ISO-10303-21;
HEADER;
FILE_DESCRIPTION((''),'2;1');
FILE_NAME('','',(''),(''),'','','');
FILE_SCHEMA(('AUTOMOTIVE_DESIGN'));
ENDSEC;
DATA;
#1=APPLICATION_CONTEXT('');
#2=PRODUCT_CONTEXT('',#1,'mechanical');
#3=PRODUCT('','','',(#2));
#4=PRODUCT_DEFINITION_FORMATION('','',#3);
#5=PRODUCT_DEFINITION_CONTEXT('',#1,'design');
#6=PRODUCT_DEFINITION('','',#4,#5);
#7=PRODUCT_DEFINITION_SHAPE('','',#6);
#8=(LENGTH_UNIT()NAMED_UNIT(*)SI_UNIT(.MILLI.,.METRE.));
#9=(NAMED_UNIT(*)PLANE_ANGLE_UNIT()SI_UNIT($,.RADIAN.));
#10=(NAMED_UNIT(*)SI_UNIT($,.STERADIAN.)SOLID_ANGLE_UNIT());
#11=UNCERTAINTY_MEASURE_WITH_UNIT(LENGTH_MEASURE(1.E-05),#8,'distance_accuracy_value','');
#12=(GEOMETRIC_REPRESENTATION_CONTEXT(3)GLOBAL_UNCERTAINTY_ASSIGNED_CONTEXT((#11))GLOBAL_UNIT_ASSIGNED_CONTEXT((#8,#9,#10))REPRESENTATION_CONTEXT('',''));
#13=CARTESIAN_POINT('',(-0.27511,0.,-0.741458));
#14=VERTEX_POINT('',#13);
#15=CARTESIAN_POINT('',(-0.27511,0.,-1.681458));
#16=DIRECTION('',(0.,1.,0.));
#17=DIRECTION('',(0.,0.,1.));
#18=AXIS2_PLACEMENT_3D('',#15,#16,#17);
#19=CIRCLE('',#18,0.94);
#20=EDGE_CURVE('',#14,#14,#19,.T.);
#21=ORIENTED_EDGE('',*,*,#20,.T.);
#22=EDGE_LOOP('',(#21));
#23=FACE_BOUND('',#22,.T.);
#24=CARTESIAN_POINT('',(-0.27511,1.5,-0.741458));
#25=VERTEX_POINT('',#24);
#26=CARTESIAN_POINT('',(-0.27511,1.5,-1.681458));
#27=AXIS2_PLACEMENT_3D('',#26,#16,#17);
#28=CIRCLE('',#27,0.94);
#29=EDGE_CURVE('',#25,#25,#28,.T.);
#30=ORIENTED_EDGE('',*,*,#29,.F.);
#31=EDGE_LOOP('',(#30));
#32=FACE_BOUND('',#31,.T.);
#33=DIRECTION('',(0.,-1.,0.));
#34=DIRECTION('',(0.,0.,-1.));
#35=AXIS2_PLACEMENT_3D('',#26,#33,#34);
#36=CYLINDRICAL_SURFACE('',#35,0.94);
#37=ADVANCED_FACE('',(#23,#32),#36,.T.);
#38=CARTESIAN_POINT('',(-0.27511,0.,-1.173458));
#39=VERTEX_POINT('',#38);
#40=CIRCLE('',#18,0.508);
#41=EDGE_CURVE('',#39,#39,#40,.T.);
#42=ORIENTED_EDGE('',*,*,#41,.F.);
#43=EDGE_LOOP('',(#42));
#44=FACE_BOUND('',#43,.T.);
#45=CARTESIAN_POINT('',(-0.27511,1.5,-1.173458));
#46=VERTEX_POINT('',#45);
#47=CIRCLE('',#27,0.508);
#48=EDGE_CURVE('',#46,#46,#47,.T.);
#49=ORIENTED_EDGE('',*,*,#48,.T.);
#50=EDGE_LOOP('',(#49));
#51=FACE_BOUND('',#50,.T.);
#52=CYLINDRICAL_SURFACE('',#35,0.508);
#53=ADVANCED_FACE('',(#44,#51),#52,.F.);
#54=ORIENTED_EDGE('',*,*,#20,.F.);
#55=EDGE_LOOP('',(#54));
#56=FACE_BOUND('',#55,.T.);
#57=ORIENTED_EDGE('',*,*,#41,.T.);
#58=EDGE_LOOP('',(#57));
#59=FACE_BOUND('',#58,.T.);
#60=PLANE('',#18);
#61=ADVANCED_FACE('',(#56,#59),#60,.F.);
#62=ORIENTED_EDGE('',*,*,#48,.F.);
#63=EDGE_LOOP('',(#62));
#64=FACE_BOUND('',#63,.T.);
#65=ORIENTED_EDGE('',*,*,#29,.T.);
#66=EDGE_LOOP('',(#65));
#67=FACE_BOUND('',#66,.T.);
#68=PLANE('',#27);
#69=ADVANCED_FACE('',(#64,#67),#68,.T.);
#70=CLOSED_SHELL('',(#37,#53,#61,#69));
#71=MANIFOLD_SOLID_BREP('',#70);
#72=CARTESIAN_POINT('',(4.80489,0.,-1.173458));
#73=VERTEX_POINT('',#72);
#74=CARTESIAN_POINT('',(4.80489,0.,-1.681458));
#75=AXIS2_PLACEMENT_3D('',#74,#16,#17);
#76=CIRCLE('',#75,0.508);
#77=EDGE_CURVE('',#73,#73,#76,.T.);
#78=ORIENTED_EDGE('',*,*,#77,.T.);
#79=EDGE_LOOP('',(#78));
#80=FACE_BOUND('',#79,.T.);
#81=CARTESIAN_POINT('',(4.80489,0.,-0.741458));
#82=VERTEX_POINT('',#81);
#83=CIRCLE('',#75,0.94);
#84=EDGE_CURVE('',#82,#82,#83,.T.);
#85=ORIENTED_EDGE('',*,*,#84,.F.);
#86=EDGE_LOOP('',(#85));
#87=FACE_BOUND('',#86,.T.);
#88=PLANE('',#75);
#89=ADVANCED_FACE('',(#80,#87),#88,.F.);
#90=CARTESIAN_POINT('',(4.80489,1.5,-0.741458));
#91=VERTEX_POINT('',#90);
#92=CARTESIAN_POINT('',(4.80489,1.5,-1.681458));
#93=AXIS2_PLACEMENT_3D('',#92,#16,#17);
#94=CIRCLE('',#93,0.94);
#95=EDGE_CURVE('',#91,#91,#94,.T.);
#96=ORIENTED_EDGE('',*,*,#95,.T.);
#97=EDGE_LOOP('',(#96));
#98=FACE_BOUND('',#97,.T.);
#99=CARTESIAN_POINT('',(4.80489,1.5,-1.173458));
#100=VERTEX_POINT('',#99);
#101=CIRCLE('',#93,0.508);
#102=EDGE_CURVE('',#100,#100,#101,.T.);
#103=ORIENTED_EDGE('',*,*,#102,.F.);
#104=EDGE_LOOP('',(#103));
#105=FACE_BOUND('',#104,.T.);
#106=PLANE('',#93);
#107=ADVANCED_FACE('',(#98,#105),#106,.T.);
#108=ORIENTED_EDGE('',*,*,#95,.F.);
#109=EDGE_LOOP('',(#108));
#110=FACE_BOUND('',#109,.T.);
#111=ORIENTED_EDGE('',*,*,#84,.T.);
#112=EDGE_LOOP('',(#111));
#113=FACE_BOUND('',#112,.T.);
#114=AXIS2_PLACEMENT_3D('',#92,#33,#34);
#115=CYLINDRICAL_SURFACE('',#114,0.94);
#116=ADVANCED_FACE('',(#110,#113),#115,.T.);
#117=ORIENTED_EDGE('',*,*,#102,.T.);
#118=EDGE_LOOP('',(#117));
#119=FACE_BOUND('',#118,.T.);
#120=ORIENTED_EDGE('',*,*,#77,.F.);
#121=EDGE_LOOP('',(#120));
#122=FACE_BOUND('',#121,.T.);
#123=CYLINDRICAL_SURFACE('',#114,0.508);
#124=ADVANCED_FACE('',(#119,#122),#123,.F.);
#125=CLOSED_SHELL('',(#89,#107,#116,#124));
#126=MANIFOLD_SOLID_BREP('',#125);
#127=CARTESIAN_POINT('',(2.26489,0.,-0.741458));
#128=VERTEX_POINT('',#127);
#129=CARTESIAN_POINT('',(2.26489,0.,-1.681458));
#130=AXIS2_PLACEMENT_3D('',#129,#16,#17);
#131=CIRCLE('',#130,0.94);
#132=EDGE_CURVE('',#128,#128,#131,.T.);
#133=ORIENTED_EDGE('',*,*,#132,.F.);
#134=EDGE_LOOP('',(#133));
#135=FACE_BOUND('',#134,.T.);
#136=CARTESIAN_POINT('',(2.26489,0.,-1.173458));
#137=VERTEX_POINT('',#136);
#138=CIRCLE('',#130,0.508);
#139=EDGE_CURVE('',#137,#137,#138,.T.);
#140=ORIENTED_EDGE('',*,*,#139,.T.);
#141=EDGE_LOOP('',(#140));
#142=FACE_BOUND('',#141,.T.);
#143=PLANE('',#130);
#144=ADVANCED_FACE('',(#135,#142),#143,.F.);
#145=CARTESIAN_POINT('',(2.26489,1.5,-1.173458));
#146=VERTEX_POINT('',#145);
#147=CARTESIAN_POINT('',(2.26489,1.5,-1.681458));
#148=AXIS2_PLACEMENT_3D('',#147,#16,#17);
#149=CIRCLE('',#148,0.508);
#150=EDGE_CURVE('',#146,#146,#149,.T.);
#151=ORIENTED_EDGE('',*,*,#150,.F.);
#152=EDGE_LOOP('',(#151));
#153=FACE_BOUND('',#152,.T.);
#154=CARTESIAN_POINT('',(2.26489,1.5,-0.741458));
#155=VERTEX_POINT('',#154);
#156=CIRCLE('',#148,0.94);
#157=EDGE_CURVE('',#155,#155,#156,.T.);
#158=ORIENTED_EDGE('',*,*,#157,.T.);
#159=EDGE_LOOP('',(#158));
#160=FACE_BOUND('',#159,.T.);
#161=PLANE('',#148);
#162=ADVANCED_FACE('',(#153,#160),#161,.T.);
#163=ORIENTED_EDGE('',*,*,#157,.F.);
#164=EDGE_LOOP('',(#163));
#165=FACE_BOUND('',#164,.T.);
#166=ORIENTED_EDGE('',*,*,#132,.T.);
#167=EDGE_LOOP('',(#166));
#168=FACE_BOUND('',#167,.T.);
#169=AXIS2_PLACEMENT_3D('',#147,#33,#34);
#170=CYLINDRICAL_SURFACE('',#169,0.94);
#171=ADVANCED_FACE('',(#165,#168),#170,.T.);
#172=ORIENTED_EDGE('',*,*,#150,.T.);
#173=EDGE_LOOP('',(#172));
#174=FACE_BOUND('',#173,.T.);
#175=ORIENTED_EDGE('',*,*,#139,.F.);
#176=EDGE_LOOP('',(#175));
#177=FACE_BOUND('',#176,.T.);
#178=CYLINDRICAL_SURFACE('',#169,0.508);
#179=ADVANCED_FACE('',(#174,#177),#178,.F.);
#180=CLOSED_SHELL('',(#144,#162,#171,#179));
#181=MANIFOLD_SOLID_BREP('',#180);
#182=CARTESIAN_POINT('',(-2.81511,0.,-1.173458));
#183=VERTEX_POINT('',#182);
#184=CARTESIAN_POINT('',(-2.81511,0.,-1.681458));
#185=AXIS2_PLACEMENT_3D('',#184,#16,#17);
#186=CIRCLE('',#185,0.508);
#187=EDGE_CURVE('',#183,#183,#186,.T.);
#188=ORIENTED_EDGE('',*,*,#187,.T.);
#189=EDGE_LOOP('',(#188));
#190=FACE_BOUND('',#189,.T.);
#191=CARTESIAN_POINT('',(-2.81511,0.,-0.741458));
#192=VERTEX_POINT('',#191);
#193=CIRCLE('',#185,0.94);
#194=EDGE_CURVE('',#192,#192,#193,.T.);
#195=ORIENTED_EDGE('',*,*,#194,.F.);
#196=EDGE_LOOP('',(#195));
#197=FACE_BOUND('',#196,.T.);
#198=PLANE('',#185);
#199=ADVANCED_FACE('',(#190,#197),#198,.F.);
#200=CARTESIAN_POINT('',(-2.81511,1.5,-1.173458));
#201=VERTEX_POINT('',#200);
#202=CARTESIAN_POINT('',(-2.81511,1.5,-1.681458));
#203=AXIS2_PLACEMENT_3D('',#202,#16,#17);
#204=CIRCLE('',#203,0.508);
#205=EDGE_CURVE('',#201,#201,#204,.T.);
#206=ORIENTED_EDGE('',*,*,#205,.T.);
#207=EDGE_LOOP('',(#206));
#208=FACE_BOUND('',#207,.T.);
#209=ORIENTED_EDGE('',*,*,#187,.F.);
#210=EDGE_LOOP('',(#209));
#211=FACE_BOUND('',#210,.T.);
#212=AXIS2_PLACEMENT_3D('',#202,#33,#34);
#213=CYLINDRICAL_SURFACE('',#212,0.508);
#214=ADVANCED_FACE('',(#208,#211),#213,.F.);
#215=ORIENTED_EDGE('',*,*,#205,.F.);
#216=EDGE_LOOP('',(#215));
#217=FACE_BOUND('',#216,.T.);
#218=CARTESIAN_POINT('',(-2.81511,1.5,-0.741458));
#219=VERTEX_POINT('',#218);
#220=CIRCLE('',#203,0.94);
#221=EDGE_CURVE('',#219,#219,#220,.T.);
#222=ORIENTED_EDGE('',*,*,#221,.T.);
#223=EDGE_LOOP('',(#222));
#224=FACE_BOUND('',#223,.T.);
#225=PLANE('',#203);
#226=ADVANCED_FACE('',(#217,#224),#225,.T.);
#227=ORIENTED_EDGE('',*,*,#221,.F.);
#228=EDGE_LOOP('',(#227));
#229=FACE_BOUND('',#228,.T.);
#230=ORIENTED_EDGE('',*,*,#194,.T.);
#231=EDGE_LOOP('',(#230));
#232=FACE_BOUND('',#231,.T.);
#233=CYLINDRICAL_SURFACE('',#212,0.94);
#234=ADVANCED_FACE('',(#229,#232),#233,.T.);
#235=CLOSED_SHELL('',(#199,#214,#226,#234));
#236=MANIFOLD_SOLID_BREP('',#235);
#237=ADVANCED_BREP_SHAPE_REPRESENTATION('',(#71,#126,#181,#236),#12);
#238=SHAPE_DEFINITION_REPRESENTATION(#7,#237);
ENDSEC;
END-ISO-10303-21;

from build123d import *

# Parameters (mm, degrees)
SKETCH1_R             = 0.94
SKETCH1_R_2           = 0.508
BOSS_EXTRUDE1_DEPTH   = 1.5
BOSS_EXTRUDE1_2_DEPTH = 1.5
BOSS_EXTRUDE1_3_DEPTH = 1.5
BOSS_EXTRUDE1_4_DEPTH = 1.5


with BuildPart() as part:
    # Sketch1 → Boss-Extrude1 (new body)
    with BuildSketch(Plane(origin=(0, 0, 0), x_dir=(1, 0, 0), z_dir=(0, 1, 0))):
        with Locations((-2.815110191, 1.681457709)):
            Circle(SKETCH1_R)
        with Locations((-2.815110191, 1.681457709)):
            Circle(SKETCH1_R_2, mode=Mode.SUBTRACT)
    extrude(amount=BOSS_EXTRUDE1_DEPTH)


with BuildPart() as body_2:
    # Sketch1 → Boss-Extrude1 2 (new body)
    with BuildSketch(Plane(origin=(0, 0, 0), x_dir=(1, 0, 0), z_dir=(0, 1, 0))):
        with Locations((-0.275110191, 1.681457709)):
            Circle(SKETCH1_R)
        with Locations((-0.275110191, 1.681457709)):
            Circle(SKETCH1_R_2, mode=Mode.SUBTRACT)
    extrude(amount=BOSS_EXTRUDE1_2_DEPTH)


with BuildPart() as body_3:
    # Sketch1 → Boss-Extrude1 3 (new body)
    with BuildSketch(Plane(origin=(0, 0, 0), x_dir=(1, 0, 0), z_dir=(0, 1, 0))):
        with Locations((2.264889809, 1.681457709)):
            Circle(SKETCH1_R)
        with Locations((2.264889809, 1.681457709)):
            Circle(SKETCH1_R_2, mode=Mode.SUBTRACT)
    extrude(amount=BOSS_EXTRUDE1_3_DEPTH)


with BuildPart() as body_4:
    # Sketch1 → Boss-Extrude1 4 (new body)
    with BuildSketch(Plane(origin=(0, 0, 0), x_dir=(1, 0, 0), z_dir=(0, 1, 0))):
        with Locations((4.804889809, 1.681457709)):
            Circle(SKETCH1_R)
        with Locations((4.804889809, 1.681457709)):
            Circle(SKETCH1_R_2, mode=Mode.SUBTRACT)
    extrude(amount=BOSS_EXTRUDE1_4_DEPTH)


solid = Compound([part.part, body_2.part, body_3.part, body_4.part])
